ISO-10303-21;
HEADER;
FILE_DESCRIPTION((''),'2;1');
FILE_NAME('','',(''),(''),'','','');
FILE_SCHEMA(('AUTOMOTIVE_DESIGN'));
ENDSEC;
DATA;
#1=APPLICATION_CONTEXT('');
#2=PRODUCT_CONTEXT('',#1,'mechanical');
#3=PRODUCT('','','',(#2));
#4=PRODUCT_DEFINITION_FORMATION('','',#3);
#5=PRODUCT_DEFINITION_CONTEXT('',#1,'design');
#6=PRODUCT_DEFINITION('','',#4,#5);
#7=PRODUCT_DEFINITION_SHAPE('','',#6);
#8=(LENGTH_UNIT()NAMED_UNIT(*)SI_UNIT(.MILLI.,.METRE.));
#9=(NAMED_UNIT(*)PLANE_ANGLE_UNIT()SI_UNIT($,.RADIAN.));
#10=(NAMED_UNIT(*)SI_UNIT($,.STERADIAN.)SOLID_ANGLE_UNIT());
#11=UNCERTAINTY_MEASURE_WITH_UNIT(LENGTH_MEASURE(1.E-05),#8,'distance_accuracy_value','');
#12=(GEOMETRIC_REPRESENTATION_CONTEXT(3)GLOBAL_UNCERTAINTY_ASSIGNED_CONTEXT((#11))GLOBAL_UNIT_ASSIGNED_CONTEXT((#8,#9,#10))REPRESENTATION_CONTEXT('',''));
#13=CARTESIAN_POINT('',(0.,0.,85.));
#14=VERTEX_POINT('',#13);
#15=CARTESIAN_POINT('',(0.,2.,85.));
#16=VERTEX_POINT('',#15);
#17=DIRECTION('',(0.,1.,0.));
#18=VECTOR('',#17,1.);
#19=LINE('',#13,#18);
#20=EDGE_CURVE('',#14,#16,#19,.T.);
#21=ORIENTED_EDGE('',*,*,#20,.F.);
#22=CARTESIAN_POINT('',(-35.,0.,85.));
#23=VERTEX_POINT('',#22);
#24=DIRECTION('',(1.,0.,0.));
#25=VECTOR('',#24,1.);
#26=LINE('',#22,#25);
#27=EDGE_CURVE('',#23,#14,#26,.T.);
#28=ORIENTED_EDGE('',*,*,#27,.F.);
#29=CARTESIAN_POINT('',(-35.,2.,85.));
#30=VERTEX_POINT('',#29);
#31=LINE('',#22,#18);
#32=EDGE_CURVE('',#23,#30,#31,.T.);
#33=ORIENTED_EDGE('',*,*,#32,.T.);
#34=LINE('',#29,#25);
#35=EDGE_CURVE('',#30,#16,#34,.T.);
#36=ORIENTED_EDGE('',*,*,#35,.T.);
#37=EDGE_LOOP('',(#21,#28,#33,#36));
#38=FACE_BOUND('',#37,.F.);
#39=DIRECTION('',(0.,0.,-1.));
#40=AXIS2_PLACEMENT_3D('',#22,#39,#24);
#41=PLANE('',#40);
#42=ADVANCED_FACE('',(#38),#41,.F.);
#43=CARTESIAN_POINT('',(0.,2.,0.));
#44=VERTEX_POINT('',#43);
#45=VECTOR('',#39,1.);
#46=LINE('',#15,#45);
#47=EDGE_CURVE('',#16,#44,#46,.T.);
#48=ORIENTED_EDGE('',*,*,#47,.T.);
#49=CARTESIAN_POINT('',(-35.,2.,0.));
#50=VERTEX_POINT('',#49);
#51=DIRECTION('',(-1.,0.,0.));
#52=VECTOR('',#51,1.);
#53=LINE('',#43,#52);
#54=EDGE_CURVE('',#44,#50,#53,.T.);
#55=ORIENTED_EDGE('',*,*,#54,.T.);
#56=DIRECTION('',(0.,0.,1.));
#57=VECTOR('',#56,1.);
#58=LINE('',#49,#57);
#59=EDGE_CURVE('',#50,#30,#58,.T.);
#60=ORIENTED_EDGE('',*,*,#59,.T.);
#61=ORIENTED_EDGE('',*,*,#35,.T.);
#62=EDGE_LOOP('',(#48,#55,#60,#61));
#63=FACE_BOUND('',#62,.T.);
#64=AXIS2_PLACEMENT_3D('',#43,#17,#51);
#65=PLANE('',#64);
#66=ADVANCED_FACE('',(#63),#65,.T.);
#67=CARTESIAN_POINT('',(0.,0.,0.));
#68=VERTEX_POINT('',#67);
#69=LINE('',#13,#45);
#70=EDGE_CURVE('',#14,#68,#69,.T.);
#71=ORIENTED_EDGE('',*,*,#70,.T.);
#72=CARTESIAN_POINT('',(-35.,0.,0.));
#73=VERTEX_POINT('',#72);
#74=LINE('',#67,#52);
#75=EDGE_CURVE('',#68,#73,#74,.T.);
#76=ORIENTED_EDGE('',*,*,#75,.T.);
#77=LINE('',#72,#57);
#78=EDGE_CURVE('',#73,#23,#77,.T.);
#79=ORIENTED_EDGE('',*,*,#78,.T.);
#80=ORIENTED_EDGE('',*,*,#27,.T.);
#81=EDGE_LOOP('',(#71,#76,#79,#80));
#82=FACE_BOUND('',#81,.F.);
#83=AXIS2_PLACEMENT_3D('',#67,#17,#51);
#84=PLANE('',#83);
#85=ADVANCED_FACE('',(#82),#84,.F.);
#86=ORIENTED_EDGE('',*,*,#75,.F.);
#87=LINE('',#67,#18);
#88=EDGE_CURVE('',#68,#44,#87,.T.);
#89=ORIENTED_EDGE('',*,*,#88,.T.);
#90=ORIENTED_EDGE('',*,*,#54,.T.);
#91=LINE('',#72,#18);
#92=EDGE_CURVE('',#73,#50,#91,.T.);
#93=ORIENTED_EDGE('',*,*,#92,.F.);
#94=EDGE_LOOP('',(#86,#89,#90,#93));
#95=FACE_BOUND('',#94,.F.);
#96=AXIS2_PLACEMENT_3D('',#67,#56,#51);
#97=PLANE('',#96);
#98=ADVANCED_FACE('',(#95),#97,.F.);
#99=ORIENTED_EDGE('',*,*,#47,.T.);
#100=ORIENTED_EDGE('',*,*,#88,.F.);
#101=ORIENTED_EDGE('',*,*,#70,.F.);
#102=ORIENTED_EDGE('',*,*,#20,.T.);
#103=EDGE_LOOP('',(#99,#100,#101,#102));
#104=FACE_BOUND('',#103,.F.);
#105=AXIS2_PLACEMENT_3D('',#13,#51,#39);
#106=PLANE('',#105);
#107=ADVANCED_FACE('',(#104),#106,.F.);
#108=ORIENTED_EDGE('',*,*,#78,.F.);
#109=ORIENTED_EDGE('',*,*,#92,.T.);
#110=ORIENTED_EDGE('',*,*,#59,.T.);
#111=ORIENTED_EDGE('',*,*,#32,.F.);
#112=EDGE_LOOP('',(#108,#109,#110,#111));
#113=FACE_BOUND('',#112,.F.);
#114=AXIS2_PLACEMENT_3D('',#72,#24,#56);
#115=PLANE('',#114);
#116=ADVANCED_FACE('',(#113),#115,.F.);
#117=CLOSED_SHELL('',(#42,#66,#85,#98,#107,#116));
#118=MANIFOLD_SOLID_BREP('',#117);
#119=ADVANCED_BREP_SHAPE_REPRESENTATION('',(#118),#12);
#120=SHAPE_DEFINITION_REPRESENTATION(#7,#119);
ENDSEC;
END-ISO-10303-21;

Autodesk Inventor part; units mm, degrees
ref_plane "YZ Plane" through (0, 0, 0) normal (1, 0, 0) x (0, 1, 0)
ref_plane "XZ Plane" through (0, 0, 0) normal (0, 1, 0) x (-1, 0, 0)
ref_plane "XY Plane" through (0, 0, 0) normal (0, 0, 1) x (1, 0, 0)
sketch "Sketch1" plane through (0, 0, 0) normal (0, 1, 0) x (-1, 0, 0)
  line L0 (0, 0) -> (35, 0)
  line L1 (35, 0) -> (35, 85)
  line L2 (35, 85) -> (0, 85)
  line L3 (0, 85) -> (0, 0)
  dimension "d0" = 35
  dimension "d1" = 85
extrude "Extrusion1" add sketch "Sketch1" along normal blind 2
properties part number "PCB"
